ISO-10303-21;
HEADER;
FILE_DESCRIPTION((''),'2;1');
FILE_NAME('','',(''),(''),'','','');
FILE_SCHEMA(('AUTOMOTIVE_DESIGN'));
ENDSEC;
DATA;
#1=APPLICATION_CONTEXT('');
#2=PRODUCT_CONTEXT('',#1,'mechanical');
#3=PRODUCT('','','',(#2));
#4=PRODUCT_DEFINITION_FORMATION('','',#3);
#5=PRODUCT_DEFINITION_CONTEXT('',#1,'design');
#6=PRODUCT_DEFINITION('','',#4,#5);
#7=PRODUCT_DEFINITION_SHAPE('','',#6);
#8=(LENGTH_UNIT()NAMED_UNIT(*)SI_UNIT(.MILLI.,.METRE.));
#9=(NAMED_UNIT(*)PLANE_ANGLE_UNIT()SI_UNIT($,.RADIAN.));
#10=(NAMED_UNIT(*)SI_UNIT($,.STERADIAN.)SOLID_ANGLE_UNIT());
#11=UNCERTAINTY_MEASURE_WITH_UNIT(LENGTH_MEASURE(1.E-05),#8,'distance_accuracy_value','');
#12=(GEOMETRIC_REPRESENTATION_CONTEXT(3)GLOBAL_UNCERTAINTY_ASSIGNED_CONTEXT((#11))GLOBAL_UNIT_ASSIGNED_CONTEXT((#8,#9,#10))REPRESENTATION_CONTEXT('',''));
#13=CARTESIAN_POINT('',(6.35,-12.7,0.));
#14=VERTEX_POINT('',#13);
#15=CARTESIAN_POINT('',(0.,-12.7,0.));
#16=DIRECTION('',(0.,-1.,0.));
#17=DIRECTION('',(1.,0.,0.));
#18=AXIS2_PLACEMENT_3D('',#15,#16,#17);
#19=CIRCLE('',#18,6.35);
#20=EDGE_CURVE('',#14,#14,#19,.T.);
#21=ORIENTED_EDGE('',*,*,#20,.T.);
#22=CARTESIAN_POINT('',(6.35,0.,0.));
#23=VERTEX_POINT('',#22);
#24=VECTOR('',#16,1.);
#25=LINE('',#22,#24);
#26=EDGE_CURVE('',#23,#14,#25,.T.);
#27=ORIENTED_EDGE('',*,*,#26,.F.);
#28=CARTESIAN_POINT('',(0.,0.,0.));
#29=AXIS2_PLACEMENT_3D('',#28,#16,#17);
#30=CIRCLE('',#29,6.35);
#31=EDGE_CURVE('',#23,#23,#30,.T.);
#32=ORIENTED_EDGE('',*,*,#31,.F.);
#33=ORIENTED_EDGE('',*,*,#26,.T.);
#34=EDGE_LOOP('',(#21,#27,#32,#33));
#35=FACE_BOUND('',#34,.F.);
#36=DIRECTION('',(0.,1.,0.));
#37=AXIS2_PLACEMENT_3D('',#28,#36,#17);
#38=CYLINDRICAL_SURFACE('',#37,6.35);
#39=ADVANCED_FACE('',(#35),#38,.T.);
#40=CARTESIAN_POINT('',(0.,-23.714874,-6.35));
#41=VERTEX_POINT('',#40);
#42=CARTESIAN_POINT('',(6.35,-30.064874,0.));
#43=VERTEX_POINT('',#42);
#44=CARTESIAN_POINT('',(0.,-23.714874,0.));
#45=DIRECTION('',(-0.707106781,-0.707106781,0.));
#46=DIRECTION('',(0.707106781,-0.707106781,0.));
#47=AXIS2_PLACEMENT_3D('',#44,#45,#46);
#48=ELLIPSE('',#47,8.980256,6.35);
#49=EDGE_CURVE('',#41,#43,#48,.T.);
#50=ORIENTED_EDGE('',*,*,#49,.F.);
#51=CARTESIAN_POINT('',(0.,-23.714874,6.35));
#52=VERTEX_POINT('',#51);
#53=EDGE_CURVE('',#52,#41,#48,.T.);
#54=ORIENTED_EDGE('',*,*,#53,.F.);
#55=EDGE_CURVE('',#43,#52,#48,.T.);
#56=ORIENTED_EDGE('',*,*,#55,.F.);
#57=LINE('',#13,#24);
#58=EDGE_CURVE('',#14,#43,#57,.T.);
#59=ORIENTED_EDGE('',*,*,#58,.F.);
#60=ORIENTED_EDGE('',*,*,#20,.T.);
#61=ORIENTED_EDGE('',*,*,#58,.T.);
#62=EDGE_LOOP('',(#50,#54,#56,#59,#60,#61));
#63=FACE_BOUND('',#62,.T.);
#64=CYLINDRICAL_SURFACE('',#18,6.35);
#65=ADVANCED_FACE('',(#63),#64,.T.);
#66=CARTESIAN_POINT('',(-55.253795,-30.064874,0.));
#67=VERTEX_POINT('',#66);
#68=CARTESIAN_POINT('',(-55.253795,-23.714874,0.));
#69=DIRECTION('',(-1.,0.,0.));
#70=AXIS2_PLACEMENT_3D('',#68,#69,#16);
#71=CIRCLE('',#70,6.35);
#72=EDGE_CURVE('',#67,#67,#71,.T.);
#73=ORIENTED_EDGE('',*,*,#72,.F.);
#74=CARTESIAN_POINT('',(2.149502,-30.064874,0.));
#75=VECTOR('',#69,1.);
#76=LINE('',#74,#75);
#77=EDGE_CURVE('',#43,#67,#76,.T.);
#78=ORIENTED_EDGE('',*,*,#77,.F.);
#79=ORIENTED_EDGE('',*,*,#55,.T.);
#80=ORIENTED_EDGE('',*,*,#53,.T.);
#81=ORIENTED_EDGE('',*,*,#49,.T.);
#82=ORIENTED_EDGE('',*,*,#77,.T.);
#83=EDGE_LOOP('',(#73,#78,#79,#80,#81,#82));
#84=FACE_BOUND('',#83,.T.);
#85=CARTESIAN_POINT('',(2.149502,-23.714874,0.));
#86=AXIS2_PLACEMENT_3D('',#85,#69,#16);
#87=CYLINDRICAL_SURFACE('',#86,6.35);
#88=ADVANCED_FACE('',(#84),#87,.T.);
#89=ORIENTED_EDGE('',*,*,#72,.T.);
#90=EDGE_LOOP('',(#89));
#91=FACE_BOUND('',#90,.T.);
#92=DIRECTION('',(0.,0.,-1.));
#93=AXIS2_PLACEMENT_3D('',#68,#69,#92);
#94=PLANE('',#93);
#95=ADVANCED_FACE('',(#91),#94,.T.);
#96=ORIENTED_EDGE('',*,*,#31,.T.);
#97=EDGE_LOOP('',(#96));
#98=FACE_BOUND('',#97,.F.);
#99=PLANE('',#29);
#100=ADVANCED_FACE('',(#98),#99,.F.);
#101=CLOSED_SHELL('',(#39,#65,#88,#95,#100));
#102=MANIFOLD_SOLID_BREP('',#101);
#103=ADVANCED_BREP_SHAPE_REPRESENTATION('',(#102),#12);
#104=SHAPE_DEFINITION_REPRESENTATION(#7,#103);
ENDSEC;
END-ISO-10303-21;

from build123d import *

# Parameters (mm, degrees)
F0_R      = 6.35
F1_DEPTH  = 12.7
F1_FACE_R = 6.35


with BuildPart() as f1:
    # F0 (on Front) → F1 (new body)
    with BuildSketch(Plane.XZ):
        Circle(F0_R)
    extrude(amount=F1_DEPTH)

    # F3: sweep along a path in F2
    with BuildLine(Plane.XY) as f3_path:
        Line((0, -14.849501662), (0, -23.7148739398))
        Line((0, -23.7148739398), (-57.4032962322, -23.7148739398))
    # F1_face (on face) → F3 (sweep)
    with BuildSketch(Plane.XZ.offset(12.7)):
        Circle(F1_FACE_R)
    sweep(path=f3_path.line, transition=Transition.RIGHT)


solid = f1.part
